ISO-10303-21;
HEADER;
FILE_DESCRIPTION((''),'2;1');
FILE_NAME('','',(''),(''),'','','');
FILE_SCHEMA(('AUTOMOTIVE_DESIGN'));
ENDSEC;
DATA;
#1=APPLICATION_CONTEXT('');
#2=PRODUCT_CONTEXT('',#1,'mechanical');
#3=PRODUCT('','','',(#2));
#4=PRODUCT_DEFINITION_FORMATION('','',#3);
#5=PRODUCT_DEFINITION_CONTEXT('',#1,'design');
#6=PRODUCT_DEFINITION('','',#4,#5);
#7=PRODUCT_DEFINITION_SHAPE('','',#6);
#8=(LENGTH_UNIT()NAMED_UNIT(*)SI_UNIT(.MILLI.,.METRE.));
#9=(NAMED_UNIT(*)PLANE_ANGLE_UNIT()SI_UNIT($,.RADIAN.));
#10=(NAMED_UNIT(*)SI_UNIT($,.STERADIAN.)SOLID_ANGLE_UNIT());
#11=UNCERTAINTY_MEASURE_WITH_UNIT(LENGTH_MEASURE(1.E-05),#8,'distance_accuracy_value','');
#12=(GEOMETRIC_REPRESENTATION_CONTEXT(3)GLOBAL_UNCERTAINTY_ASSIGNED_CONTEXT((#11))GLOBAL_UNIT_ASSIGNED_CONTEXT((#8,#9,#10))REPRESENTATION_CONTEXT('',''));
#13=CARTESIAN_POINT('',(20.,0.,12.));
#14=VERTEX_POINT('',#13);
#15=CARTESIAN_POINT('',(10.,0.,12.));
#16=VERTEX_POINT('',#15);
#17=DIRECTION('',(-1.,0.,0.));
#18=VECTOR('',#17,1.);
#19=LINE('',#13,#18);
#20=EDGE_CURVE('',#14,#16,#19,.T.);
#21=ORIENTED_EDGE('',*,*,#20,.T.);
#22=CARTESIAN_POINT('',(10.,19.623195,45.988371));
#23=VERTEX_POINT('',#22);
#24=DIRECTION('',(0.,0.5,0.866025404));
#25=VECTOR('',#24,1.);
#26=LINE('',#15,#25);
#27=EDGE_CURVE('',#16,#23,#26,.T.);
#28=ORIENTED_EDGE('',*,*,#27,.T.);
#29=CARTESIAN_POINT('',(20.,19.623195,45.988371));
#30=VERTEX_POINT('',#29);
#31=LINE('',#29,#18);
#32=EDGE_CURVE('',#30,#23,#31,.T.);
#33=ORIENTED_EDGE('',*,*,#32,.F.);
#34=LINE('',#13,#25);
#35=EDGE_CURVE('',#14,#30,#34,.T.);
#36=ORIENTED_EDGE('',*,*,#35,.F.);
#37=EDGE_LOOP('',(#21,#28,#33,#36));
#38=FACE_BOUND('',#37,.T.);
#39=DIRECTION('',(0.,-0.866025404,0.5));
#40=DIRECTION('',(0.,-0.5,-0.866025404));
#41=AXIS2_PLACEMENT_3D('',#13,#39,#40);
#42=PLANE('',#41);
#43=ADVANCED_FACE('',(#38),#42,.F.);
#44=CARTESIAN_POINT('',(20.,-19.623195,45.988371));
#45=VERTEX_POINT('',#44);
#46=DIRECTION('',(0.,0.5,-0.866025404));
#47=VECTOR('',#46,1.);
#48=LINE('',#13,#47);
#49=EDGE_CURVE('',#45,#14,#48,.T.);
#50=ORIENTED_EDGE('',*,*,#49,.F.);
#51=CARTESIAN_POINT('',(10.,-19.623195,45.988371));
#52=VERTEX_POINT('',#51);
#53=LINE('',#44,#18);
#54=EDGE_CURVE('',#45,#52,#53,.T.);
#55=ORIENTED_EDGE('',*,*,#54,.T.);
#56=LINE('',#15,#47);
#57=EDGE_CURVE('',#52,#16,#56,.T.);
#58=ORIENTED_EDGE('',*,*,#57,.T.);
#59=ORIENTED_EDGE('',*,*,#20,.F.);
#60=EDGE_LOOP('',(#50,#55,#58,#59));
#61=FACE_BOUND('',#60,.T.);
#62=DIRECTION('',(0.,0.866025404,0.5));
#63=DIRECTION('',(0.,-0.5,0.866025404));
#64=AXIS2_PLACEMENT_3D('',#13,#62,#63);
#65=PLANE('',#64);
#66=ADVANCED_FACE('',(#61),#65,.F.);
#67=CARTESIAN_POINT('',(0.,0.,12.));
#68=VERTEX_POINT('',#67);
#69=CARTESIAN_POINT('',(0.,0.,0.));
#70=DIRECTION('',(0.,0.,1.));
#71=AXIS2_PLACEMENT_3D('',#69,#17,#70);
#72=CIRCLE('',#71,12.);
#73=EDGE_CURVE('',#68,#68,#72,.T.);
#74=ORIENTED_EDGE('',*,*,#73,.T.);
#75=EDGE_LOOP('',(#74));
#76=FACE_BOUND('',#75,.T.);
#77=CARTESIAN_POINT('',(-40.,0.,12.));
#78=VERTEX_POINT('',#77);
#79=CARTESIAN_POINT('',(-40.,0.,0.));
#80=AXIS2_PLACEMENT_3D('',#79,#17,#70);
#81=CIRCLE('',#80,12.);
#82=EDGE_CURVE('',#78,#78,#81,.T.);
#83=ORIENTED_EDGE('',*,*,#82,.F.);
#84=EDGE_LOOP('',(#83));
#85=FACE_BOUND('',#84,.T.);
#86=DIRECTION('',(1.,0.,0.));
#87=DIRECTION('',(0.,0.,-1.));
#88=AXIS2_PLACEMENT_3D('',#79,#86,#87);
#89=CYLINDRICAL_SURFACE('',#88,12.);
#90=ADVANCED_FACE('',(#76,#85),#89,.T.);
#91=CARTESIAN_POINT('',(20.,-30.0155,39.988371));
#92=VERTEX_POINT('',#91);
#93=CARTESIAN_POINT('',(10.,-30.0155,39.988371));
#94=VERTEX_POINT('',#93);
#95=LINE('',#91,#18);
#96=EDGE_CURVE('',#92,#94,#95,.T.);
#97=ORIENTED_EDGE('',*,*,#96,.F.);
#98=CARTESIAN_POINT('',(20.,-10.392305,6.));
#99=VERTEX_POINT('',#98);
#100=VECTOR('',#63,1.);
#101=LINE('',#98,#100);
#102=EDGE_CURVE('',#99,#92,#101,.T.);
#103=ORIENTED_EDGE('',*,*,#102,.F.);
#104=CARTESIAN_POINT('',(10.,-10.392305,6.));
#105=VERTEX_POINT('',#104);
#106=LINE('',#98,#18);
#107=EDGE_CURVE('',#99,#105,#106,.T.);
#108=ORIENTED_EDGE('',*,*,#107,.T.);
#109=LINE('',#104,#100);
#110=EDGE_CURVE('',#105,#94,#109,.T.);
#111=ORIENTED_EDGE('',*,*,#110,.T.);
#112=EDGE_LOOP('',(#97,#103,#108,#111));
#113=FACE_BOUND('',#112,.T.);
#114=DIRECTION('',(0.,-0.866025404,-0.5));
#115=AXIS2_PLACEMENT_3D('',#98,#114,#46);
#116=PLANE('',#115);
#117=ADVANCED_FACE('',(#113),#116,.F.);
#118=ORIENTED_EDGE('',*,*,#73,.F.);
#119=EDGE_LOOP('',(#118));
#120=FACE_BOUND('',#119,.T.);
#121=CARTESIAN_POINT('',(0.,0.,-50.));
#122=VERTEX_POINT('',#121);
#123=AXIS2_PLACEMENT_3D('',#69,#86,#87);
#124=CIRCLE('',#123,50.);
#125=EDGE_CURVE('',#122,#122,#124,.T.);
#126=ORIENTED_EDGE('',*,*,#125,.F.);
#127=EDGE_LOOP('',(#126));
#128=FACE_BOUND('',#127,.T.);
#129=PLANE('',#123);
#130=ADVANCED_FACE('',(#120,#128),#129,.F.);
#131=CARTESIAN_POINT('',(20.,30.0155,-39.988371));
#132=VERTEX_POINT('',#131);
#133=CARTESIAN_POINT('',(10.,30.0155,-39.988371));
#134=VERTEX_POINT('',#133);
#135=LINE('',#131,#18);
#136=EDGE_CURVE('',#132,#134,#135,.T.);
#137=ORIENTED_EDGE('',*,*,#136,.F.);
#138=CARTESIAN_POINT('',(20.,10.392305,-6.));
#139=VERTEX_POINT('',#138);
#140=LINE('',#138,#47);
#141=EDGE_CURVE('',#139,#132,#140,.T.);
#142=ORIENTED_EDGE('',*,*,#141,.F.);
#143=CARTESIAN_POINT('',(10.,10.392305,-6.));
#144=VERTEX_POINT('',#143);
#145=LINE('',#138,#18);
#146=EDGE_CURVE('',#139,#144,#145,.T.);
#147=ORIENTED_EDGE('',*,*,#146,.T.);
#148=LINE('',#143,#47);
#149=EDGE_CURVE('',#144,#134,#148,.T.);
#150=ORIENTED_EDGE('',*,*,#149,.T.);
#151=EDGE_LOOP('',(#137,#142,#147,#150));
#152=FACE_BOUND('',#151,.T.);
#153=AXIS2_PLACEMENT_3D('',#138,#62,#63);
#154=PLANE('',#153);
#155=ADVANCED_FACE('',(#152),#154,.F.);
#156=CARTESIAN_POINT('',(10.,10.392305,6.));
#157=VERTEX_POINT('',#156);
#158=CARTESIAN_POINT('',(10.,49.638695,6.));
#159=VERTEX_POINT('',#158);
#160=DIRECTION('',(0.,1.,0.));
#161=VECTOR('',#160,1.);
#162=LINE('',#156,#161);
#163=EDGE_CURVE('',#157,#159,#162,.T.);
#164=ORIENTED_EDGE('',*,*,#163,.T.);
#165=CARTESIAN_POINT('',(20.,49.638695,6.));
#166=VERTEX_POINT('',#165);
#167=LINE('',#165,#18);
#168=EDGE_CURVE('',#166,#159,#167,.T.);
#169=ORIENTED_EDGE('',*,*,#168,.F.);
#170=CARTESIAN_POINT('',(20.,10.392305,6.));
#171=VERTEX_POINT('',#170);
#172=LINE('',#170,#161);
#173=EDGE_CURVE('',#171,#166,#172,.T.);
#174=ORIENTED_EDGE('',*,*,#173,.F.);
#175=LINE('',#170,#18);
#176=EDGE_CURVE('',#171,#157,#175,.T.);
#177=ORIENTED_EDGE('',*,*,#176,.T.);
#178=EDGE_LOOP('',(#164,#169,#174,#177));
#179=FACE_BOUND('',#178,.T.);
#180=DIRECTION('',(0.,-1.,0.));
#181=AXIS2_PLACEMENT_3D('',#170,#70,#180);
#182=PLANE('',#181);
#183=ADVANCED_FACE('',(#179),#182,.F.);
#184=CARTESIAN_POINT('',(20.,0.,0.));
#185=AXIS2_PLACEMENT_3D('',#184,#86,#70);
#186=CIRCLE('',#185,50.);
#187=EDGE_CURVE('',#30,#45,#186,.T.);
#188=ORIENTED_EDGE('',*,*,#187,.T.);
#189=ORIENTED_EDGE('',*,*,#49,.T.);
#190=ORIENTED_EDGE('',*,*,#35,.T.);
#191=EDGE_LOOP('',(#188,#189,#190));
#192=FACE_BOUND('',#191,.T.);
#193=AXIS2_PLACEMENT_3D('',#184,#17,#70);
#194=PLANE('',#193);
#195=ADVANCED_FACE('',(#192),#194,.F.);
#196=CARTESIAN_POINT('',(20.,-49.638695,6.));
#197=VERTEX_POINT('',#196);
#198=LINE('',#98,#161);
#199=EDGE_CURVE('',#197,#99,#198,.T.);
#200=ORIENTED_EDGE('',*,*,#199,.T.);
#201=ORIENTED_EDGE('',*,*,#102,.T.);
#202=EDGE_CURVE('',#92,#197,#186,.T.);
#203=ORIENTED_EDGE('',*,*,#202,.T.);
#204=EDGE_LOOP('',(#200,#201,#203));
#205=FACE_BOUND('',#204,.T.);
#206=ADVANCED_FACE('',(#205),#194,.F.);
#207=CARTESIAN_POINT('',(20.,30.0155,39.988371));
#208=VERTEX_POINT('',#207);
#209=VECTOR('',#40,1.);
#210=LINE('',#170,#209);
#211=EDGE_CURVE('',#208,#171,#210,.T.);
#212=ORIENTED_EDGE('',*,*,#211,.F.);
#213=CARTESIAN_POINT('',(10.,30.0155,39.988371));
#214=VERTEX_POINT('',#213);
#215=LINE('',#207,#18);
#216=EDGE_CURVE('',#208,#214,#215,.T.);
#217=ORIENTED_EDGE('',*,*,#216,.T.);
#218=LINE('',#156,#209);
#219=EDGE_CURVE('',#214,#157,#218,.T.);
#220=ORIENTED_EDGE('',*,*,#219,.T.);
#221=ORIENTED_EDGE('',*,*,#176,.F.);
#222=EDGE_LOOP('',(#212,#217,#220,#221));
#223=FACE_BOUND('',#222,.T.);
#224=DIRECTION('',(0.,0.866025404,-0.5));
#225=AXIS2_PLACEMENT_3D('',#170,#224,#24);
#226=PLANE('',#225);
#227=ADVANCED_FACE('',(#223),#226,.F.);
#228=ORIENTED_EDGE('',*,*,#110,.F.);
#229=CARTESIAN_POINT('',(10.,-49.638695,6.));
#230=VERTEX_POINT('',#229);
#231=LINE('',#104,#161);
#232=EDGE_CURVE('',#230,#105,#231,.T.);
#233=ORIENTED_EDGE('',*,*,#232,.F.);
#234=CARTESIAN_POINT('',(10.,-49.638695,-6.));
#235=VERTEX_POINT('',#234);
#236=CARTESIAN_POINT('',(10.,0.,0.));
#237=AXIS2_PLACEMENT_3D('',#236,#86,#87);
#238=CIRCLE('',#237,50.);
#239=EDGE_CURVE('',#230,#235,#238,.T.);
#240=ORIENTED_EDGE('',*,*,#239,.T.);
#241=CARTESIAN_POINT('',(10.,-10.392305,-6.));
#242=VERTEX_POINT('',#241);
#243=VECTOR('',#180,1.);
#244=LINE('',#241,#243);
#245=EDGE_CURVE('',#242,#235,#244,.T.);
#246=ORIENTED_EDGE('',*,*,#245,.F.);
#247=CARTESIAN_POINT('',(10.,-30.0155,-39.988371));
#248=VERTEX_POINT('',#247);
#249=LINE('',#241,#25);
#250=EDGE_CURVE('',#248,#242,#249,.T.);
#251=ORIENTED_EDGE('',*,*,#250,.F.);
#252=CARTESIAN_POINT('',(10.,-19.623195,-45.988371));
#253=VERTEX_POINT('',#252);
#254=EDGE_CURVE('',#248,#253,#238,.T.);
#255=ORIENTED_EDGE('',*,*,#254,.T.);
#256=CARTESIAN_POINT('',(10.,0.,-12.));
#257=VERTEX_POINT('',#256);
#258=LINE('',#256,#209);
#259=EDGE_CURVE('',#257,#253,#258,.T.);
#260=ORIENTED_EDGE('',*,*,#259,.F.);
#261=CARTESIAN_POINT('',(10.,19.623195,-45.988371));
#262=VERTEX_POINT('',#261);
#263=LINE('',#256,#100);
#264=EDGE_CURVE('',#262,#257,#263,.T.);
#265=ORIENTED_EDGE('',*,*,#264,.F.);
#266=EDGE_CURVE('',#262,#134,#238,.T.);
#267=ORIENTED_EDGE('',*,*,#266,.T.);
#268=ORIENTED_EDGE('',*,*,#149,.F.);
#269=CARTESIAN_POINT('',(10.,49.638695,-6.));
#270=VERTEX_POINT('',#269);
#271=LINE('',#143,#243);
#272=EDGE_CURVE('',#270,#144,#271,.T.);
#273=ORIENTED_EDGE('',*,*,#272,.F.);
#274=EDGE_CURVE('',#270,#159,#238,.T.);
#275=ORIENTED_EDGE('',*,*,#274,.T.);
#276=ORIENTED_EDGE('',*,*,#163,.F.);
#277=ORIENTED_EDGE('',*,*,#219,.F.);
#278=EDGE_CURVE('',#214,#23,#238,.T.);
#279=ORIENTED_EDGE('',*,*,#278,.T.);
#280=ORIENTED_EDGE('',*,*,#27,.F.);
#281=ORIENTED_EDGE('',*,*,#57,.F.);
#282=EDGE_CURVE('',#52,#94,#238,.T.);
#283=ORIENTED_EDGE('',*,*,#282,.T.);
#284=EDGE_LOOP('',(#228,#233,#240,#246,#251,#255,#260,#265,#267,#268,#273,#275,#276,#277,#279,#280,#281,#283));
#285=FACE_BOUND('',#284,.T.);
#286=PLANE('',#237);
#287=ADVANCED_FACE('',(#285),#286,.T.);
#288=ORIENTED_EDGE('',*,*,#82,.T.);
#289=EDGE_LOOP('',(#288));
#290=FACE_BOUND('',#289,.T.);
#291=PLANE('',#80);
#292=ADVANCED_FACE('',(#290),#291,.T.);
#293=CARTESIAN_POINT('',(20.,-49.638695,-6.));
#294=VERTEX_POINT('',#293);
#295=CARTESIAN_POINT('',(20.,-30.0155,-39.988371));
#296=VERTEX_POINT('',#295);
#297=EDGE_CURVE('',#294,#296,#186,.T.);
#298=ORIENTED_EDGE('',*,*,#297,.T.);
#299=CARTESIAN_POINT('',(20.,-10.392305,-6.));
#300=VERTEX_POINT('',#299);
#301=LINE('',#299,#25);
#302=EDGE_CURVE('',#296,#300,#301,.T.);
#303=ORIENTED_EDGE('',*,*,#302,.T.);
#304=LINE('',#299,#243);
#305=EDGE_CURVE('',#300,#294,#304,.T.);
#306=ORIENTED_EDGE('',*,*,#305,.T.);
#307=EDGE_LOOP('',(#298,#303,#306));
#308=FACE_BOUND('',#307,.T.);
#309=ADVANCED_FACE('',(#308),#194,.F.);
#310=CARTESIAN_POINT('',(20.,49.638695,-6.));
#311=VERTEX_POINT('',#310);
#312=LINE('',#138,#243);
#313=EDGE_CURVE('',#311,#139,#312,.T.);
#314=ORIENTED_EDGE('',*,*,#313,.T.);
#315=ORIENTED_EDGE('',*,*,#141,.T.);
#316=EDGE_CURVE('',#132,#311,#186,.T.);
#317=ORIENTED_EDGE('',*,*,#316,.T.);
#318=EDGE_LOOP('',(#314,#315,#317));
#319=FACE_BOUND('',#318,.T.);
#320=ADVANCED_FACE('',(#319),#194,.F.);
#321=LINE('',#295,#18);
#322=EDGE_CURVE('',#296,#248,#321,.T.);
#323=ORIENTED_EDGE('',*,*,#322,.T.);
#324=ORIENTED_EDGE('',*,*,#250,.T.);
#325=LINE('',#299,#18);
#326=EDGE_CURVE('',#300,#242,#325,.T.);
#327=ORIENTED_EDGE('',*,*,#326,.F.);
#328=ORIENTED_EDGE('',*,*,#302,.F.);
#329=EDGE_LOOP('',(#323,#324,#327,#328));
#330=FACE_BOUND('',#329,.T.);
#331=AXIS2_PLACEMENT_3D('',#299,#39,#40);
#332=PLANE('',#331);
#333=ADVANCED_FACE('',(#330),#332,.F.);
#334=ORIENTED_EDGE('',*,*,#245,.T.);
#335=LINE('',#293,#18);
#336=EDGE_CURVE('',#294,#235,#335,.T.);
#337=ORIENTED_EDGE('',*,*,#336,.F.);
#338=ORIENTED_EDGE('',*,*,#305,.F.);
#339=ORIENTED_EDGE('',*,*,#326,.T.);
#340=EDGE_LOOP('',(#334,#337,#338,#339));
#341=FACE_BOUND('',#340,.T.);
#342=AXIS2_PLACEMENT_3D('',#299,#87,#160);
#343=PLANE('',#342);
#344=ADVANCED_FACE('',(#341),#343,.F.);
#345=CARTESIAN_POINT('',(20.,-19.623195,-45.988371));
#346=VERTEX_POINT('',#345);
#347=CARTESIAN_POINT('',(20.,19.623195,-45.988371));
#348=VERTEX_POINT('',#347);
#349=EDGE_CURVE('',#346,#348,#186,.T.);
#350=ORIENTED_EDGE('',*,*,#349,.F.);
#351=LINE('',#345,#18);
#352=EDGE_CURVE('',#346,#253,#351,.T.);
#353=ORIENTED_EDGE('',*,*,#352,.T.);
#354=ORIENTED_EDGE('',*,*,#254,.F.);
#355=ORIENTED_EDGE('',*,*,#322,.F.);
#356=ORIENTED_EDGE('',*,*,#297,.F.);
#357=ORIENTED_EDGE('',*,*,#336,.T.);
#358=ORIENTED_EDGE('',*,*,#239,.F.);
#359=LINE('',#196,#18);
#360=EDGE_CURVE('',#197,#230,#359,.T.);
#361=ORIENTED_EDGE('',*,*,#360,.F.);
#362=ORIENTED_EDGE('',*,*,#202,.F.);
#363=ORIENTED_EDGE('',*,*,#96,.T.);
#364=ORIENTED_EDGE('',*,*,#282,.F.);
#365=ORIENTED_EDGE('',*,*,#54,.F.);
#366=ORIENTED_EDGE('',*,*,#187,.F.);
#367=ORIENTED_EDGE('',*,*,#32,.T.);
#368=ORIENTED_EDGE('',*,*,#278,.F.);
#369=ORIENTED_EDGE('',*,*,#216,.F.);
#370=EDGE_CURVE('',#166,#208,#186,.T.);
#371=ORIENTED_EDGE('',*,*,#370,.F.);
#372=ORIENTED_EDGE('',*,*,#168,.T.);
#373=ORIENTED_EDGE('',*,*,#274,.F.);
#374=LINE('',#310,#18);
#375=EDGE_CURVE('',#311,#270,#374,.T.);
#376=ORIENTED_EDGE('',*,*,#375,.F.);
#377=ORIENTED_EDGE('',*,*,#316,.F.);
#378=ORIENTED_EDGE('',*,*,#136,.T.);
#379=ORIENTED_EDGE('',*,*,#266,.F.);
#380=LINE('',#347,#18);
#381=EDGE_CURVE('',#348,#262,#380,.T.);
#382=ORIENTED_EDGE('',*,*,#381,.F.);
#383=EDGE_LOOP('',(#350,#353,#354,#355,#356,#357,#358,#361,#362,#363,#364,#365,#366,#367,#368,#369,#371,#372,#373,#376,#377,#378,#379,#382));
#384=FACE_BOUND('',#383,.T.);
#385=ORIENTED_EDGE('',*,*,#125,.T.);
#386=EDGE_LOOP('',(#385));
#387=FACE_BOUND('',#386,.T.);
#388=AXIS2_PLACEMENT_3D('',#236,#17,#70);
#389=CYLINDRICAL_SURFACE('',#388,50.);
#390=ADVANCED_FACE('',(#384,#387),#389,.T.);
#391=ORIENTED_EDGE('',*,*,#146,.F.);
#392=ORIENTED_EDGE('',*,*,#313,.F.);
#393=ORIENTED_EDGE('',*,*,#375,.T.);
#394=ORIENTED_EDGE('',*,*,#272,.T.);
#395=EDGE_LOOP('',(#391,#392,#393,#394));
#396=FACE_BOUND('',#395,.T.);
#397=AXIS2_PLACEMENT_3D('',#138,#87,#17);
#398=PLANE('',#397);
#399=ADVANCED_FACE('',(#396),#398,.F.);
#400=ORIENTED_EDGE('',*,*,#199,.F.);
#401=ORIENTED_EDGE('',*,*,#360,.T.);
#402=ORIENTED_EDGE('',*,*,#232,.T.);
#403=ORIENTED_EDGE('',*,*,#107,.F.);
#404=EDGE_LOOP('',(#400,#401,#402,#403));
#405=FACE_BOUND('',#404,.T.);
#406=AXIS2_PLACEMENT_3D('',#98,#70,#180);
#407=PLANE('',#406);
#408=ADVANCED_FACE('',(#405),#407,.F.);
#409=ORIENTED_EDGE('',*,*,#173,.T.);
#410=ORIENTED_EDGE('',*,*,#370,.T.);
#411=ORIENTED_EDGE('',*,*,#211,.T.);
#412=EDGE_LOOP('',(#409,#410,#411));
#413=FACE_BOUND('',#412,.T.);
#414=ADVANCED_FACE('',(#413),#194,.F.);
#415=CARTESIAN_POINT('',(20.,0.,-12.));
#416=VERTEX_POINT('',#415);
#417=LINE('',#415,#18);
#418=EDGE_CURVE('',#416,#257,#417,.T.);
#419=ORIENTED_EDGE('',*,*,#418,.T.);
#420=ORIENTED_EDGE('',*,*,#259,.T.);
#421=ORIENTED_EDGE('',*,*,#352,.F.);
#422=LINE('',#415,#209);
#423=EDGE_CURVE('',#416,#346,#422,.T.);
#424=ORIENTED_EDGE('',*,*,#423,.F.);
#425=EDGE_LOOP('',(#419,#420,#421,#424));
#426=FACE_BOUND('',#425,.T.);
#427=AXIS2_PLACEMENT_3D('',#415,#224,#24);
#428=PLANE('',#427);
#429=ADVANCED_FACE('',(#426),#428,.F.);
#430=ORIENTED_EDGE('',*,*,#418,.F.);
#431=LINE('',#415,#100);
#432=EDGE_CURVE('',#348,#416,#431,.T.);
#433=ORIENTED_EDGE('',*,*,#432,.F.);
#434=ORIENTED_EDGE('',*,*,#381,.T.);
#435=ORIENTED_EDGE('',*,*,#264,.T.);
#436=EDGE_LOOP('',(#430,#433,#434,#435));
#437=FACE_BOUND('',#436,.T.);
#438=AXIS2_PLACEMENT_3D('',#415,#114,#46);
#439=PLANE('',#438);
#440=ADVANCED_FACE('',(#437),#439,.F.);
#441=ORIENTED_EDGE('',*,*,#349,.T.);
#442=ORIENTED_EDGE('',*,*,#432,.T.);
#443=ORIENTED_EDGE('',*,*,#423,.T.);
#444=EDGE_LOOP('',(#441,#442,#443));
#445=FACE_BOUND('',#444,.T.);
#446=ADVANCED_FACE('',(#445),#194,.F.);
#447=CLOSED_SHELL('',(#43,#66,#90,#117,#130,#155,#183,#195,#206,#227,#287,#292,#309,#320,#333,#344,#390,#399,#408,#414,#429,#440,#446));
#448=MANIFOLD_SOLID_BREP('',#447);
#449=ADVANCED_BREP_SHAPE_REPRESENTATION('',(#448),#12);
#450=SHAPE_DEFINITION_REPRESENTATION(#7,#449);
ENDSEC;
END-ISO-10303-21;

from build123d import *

# Parameters (mm, degrees)
SKETCH1_R           = 50
BOSS_EXTRUDE1_DEPTH = 10
BOSS_EXTRUDE2_DEPTH = 10
SKETCH9_R           = 12
BOSS_EXTRUDE3_DEPTH = 40


with BuildPart() as part:
    # Sketch1 → Boss-Extrude1 (new body)
    with BuildSketch(Plane(origin=(0, 0, 0), x_dir=(0, 0, -1), z_dir=(1, 0, 0))):
        Circle(SKETCH1_R)
    extrude(amount=BOSS_EXTRUDE1_DEPTH)

    # Sketch7 → Boss-Extrude2 (add)
    with BuildSketch(Plane(origin=(10, 0, 0), x_dir=(0, 0, -1), z_dir=(1, 0, 0))):
        with BuildLine():
            Line((12, 0), (45.98837052, -19.623194869))
            ThreePointArc((45.98837052, -19.623194869), (50, 0), (45.98837052, 19.623194869))
            Line((45.98837052, 19.623194869), (12, 0))
        make_face()
        with BuildLine():
            Line((6, -10.392304845), (6, -49.638694584))
            ThreePointArc((6, -49.638694584), (25, -43.301270189), (39.98837052, -30.015499715))
            Line((39.98837052, -30.015499715), (6, -10.392304845))
        make_face()
        with BuildLine():
            Line((6, 10.392304845), (39.98837052, 30.015499715))
            ThreePointArc((39.98837052, 30.015499715), (25, 43.301270189), (6, 49.638694584))
            Line((6, 49.638694584), (6, 10.392304845))
        make_face()
        with BuildLine():
            Line((-6, -10.392304845), (-39.98837052, -30.015499715))
            ThreePointArc((-39.98837052, -30.015499715), (-25, -43.301270189), (-6, -49.638694584))
            Line((-6, -49.638694584), (-6, -10.392304845))
        make_face()
        with BuildLine():
            Line((-12, 0), (-45.98837052, 19.623194869))
            ThreePointArc((-45.98837052, 19.623194869), (-50, 0), (-45.98837052, -19.623194869))
            Line((-45.98837052, -19.623194869), (-12, 0))
        make_face()
        with BuildLine():
            Line((-6, 10.392304845), (-6, 49.638694584))
            ThreePointArc((-6, 49.638694584), (-25, 43.301270189), (-39.98837052, 30.015499715))
            Line((-39.98837052, 30.015499715), (-6, 10.392304845))
        make_face()
    extrude(amount=BOSS_EXTRUDE2_DEPTH)

    # Sketch9 → Boss-Extrude3 (add)
    with BuildSketch(Plane.ZY):
        Circle(SKETCH9_R)
    extrude(amount=BOSS_EXTRUDE3_DEPTH)


solid = part.part
